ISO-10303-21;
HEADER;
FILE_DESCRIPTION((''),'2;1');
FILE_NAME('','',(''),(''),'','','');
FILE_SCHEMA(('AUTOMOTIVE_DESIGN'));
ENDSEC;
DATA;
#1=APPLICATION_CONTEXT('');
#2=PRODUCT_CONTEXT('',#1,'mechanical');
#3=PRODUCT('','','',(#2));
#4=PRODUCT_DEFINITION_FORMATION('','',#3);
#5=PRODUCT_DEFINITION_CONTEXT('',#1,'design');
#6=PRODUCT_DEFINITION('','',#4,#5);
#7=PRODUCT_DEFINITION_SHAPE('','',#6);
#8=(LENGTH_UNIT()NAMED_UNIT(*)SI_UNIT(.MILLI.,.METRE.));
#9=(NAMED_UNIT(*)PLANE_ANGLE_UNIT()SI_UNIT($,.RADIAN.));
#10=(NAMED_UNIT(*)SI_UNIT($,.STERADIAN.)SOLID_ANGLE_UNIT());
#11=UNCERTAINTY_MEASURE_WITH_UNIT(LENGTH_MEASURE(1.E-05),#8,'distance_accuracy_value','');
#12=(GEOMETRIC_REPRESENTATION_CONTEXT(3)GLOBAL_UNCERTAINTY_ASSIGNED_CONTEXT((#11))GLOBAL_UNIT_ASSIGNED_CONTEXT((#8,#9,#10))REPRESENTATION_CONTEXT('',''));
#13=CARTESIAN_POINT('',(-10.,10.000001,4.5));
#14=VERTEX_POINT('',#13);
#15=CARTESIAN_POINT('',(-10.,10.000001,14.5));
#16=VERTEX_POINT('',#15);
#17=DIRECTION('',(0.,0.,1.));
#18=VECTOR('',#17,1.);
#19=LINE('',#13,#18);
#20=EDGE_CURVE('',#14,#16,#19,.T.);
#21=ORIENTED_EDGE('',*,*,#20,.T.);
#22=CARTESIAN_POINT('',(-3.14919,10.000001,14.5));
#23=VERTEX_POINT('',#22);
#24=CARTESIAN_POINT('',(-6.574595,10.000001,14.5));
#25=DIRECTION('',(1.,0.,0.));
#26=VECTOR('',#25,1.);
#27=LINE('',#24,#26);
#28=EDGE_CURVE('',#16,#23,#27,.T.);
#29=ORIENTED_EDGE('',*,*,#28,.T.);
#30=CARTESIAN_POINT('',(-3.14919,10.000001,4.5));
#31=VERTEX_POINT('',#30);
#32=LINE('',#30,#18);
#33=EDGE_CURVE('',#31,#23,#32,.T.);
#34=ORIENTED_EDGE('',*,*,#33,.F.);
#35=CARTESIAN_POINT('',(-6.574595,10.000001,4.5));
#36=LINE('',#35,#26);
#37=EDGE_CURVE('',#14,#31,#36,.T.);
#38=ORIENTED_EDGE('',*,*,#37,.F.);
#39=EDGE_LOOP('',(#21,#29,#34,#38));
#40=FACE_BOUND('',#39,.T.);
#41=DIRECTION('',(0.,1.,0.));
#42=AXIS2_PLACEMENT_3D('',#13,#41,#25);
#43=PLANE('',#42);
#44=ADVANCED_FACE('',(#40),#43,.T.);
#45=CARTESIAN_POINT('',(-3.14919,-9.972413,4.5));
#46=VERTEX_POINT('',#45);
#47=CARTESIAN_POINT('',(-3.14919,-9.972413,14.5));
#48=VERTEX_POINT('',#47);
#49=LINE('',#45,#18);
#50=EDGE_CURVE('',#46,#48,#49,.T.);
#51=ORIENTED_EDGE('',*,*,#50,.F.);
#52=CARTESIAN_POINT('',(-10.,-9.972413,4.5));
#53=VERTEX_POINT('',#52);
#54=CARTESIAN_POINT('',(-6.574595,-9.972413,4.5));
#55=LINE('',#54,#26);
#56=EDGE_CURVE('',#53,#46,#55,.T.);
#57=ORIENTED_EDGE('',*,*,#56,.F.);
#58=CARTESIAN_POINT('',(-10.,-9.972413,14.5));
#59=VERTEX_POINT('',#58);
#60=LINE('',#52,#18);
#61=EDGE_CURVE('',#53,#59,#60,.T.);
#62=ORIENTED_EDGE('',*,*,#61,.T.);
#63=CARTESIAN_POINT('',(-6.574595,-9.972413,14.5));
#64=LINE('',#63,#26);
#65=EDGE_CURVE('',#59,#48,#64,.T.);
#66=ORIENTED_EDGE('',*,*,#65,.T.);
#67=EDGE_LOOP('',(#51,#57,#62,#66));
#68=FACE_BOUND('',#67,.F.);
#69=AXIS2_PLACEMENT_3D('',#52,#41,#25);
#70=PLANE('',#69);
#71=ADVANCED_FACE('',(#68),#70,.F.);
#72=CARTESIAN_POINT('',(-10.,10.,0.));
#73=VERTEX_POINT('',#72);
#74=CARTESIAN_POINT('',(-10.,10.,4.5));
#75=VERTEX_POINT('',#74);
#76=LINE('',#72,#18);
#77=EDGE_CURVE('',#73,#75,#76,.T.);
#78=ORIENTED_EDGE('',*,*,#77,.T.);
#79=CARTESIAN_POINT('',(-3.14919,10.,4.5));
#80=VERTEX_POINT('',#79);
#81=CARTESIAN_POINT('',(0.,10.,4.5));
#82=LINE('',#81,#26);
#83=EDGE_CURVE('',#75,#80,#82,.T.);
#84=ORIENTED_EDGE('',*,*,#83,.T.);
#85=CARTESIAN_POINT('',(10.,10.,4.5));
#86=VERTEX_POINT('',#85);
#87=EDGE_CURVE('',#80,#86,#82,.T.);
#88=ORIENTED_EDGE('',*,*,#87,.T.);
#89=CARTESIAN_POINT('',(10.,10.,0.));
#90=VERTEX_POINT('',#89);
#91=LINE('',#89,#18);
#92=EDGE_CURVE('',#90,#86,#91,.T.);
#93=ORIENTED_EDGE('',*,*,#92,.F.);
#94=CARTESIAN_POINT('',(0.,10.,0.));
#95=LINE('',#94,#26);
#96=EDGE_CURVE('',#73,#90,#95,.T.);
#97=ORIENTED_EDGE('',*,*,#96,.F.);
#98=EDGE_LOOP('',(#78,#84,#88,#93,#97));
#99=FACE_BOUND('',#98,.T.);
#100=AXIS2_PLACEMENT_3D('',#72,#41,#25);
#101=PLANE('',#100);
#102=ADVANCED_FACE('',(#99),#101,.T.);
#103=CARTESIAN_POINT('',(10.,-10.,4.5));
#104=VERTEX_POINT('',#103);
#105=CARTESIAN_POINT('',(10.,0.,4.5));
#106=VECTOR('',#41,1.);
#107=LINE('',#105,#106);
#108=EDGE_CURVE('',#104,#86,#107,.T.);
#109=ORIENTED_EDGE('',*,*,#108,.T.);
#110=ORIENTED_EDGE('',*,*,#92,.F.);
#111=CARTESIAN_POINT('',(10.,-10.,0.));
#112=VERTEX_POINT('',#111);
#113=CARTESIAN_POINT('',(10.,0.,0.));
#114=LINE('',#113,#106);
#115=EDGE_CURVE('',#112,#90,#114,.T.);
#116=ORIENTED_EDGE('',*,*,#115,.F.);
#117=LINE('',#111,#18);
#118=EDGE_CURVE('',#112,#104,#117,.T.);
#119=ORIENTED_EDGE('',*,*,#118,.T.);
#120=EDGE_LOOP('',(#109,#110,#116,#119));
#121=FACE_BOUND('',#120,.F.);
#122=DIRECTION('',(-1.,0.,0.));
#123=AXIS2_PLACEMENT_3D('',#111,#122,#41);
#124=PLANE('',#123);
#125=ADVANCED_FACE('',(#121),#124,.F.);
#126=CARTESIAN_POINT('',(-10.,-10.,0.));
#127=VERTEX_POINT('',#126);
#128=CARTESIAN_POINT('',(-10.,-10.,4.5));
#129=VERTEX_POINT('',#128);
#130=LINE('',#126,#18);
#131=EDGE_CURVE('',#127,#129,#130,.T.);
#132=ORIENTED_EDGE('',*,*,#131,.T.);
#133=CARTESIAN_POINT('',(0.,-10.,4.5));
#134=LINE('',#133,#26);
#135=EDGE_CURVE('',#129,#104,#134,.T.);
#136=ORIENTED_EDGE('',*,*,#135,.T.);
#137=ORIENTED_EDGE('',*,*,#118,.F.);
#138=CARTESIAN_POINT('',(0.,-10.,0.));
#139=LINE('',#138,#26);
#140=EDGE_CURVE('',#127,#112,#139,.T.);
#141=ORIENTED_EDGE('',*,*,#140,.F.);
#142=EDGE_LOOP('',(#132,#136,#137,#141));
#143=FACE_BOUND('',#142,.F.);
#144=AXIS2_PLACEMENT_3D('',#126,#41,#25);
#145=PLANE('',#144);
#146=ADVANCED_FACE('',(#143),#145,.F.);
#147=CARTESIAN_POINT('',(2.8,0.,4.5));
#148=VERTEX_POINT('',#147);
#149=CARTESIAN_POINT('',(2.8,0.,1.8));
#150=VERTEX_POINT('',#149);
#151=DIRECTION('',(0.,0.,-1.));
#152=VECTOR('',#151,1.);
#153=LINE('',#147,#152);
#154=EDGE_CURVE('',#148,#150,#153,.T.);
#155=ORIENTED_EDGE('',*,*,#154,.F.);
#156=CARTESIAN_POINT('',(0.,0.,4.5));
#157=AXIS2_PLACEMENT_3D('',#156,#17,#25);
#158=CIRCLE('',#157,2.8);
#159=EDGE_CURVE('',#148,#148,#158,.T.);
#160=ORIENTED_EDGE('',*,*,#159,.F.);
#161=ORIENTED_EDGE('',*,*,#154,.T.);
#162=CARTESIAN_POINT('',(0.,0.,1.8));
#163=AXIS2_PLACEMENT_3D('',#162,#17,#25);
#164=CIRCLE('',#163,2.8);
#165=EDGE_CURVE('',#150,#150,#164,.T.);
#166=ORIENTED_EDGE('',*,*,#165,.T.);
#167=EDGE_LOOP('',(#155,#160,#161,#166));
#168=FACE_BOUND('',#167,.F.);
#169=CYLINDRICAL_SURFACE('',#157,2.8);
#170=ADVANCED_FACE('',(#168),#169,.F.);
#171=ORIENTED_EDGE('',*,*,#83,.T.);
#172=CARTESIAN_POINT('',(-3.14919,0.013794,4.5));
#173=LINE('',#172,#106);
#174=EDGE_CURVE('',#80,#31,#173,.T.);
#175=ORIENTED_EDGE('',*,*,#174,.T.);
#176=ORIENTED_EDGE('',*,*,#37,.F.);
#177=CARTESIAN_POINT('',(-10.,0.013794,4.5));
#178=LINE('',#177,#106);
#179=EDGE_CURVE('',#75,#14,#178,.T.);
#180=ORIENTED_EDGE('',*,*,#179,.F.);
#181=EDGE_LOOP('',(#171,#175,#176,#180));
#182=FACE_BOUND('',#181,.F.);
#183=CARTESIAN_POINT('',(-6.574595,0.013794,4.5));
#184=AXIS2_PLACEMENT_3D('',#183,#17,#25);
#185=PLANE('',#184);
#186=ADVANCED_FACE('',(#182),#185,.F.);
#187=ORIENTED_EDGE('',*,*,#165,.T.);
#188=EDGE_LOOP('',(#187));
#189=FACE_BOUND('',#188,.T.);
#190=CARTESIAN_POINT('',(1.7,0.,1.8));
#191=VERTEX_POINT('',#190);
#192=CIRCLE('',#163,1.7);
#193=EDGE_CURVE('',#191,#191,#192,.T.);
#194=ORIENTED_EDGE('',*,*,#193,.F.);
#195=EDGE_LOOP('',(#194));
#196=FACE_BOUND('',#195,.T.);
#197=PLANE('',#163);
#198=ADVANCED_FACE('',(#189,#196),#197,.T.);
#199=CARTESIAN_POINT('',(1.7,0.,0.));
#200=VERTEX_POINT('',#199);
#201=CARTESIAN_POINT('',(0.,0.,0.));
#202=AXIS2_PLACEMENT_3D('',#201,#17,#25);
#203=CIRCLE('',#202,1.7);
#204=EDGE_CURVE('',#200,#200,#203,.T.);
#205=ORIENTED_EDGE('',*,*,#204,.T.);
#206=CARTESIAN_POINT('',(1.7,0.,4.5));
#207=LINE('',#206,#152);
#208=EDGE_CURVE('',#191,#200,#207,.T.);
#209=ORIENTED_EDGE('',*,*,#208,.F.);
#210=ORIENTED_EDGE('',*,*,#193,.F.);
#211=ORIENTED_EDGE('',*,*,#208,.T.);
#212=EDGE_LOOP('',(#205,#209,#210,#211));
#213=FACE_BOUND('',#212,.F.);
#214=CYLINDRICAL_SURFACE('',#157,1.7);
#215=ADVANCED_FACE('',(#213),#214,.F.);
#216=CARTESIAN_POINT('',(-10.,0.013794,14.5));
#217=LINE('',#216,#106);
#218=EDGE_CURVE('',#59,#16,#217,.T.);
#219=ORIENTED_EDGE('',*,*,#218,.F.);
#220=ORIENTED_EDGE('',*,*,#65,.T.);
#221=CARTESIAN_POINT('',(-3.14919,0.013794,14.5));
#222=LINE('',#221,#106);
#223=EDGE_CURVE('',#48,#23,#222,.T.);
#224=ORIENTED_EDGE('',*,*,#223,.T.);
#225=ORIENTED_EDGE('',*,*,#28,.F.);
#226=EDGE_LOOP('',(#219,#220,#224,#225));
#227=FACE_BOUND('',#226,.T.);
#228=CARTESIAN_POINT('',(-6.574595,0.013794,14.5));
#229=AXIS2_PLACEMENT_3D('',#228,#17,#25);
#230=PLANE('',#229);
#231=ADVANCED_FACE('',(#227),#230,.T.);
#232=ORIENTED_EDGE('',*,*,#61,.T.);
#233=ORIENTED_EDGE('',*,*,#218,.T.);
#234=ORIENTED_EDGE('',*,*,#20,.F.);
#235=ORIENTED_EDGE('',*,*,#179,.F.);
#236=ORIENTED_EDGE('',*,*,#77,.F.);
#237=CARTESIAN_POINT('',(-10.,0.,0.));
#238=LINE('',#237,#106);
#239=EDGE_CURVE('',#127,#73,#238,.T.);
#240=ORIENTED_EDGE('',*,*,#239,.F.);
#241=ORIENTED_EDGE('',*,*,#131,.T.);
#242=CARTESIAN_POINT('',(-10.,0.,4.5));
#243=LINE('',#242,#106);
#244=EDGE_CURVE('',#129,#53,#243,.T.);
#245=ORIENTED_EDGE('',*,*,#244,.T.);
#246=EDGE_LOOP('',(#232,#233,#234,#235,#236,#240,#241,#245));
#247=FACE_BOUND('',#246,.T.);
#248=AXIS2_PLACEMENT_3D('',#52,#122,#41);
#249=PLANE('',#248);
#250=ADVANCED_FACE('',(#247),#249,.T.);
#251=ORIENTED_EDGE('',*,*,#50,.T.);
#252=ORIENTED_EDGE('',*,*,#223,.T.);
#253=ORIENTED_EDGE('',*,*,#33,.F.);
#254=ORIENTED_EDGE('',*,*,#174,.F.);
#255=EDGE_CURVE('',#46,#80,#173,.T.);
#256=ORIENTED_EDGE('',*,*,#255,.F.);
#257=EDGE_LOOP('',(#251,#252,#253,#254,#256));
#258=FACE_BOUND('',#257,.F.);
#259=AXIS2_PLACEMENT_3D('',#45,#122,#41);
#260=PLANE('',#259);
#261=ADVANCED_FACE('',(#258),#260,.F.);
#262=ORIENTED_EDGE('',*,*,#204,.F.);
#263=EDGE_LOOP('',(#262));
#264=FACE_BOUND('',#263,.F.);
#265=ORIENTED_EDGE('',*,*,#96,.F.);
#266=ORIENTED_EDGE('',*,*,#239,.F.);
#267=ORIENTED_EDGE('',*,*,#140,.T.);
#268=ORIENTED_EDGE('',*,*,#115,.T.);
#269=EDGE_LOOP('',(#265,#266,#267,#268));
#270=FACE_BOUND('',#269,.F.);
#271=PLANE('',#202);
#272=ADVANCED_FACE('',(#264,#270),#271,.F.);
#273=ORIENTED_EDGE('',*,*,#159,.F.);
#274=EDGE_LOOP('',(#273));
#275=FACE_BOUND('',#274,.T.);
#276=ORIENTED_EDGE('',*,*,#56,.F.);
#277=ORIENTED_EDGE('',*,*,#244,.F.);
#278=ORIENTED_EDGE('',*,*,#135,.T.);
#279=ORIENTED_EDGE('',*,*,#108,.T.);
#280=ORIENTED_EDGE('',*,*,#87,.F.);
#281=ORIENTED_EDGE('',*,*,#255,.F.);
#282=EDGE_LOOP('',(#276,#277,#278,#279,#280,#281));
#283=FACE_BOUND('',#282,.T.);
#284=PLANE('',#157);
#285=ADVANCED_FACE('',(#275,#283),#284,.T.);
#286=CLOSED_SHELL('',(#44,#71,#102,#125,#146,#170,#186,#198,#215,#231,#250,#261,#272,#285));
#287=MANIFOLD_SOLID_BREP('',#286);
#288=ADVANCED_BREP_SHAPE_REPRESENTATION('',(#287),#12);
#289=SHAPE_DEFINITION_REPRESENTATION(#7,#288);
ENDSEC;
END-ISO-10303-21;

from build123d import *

# Parameters (mm, degrees)
SKETCH_W        = 20
SKETCH_H        = 20
PAD_DEPTH       = 4.5
SKETCH001_R     = 1.7
POCKET_DEPTH    = 5
SKETCH002_R     = 2.8
POCKET001_DEPTH = 2.7
SKETCH003_W     = 6.85081
SKETCH003_H     = 19.972413
PAD001_DEPTH    = 10


with BuildPart() as part:
    # Sketch → Pad (new body)
    with BuildSketch(Plane.XY):
        Rectangle(SKETCH_W, SKETCH_H)
    extrude(amount=PAD_DEPTH)

    # Sketch001 (on Face6 of Pad) → Pocket (cut)
    with BuildSketch(Plane.XY.offset(4.5)):
        Circle(SKETCH001_R)
    extrude(amount=-POCKET_DEPTH, mode=Mode.SUBTRACT)

    # Sketch002 (on Face5 of Pocket) → Pocket001 (cut)
    with BuildSketch(Plane.XY.offset(4.5)):
        Circle(SKETCH002_R)
    extrude(amount=-POCKET001_DEPTH, mode=Mode.SUBTRACT)

    # Sketch003 (on Face5 of Pocket001) → Pad001 (join)
    with BuildSketch(Plane.XY.offset(4.5)):
        with Locations((-6.574595, 0.013794)):
            Rectangle(SKETCH003_W, SKETCH003_H)
    extrude(amount=PAD001_DEPTH)


solid = part.part
